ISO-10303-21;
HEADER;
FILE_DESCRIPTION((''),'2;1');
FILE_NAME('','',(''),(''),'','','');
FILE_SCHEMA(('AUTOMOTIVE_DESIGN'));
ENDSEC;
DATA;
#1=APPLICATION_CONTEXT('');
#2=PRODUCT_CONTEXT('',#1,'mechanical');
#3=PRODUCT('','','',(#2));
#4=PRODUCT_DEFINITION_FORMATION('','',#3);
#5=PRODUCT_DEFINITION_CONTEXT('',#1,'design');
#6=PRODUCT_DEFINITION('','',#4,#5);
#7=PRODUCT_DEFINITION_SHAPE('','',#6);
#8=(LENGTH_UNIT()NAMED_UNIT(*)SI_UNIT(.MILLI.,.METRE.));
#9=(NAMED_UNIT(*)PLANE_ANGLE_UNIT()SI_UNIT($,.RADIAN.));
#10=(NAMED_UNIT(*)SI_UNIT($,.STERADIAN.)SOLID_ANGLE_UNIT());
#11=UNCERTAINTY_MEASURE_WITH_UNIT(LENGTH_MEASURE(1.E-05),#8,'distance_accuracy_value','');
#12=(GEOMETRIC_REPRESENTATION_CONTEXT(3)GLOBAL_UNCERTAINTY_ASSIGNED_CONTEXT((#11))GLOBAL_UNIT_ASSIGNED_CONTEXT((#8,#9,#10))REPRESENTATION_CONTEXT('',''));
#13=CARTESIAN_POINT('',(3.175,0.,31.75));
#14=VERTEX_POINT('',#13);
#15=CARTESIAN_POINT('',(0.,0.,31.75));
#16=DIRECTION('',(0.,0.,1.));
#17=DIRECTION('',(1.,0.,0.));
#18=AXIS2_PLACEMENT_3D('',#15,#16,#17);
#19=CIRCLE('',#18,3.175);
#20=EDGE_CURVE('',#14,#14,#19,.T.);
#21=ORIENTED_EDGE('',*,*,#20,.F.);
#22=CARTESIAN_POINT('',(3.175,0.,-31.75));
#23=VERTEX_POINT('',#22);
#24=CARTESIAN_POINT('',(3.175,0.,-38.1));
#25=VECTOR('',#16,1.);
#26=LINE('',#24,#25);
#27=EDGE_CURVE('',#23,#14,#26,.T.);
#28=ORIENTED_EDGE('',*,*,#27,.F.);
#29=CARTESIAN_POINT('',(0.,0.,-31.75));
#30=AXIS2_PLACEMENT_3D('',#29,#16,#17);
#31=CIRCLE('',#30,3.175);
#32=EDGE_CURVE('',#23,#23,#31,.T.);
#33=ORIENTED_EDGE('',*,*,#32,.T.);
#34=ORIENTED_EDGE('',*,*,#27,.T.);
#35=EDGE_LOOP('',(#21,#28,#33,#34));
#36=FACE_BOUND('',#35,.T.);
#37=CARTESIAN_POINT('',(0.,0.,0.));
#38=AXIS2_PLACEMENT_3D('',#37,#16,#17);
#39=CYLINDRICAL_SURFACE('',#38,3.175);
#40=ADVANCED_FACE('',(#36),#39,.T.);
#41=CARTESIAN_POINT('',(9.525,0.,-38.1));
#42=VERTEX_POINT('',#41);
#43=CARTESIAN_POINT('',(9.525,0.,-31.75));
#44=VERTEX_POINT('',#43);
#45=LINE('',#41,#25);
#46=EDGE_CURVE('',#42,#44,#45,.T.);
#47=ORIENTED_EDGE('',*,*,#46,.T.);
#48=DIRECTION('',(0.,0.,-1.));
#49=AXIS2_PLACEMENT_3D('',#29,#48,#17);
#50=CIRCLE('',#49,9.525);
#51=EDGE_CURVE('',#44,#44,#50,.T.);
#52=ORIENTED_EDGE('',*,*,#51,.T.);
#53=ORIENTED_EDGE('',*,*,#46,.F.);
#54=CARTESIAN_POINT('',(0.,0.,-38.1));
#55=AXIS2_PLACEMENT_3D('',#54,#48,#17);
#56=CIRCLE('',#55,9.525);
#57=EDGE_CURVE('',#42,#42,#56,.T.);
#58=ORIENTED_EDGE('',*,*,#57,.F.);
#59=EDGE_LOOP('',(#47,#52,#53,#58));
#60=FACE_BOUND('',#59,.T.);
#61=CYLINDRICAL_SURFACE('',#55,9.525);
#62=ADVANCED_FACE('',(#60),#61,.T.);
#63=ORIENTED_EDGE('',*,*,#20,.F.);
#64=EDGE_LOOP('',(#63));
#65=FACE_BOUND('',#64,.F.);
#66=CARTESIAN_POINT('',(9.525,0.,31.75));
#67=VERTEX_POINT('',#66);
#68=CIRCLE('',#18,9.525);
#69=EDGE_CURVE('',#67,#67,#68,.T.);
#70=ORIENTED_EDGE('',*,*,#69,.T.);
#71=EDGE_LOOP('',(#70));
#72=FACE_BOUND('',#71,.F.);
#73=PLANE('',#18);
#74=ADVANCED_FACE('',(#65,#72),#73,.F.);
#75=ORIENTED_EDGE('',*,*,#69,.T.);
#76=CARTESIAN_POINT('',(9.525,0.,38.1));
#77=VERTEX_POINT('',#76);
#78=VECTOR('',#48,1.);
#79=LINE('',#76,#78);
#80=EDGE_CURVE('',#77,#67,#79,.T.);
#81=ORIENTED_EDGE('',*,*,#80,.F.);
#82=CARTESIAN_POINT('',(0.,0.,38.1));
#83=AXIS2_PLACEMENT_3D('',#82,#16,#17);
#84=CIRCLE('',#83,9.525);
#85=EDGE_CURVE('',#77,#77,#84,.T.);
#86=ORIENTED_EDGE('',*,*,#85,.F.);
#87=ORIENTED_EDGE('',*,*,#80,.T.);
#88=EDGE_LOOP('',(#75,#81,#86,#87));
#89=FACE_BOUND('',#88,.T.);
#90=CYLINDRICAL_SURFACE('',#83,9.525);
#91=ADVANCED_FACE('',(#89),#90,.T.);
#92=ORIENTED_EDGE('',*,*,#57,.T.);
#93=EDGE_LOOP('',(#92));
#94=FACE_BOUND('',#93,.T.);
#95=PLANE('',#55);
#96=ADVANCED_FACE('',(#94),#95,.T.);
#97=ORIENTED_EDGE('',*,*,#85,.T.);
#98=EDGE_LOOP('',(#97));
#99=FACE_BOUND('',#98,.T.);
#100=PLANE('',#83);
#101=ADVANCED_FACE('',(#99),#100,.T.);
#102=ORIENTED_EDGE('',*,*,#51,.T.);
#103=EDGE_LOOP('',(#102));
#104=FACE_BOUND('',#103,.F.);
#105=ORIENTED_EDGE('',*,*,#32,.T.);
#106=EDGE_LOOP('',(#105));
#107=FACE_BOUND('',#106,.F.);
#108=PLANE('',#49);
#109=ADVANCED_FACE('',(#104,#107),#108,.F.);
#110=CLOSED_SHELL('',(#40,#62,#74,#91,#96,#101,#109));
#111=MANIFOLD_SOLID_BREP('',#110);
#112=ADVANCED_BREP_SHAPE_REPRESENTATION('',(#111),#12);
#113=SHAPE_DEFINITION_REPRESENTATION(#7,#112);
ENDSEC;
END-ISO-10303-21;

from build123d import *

# Parameters (mm, degrees)
F0_R     = 3.175
F1_DEPTH = 38.1
F2_R     = 9.525
F3_DEPTH = 6.35
F4_R     = 9.525
F5_DEPTH = 6.35


with BuildPart() as f1:
    # F0 (on Top) → F1 (new body, symmetric)
    with BuildSketch(Plane.XY):
        Circle(F0_R)
    extrude(amount=F1_DEPTH, both=True)

    # F2 (on face) → F3 (join)
    with BuildSketch(Plane(origin=(0, 0, -38.1), x_dir=(1, 0, 0), z_dir=(0, 0, -1))):
        Circle(F2_R)
    extrude(amount=-F3_DEPTH)

    # F4 (on face) → F5 (join)
    with BuildSketch(Plane.XY.offset(38.1)):
        Circle(F4_R)
    extrude(amount=-F5_DEPTH)


solid = f1.part
